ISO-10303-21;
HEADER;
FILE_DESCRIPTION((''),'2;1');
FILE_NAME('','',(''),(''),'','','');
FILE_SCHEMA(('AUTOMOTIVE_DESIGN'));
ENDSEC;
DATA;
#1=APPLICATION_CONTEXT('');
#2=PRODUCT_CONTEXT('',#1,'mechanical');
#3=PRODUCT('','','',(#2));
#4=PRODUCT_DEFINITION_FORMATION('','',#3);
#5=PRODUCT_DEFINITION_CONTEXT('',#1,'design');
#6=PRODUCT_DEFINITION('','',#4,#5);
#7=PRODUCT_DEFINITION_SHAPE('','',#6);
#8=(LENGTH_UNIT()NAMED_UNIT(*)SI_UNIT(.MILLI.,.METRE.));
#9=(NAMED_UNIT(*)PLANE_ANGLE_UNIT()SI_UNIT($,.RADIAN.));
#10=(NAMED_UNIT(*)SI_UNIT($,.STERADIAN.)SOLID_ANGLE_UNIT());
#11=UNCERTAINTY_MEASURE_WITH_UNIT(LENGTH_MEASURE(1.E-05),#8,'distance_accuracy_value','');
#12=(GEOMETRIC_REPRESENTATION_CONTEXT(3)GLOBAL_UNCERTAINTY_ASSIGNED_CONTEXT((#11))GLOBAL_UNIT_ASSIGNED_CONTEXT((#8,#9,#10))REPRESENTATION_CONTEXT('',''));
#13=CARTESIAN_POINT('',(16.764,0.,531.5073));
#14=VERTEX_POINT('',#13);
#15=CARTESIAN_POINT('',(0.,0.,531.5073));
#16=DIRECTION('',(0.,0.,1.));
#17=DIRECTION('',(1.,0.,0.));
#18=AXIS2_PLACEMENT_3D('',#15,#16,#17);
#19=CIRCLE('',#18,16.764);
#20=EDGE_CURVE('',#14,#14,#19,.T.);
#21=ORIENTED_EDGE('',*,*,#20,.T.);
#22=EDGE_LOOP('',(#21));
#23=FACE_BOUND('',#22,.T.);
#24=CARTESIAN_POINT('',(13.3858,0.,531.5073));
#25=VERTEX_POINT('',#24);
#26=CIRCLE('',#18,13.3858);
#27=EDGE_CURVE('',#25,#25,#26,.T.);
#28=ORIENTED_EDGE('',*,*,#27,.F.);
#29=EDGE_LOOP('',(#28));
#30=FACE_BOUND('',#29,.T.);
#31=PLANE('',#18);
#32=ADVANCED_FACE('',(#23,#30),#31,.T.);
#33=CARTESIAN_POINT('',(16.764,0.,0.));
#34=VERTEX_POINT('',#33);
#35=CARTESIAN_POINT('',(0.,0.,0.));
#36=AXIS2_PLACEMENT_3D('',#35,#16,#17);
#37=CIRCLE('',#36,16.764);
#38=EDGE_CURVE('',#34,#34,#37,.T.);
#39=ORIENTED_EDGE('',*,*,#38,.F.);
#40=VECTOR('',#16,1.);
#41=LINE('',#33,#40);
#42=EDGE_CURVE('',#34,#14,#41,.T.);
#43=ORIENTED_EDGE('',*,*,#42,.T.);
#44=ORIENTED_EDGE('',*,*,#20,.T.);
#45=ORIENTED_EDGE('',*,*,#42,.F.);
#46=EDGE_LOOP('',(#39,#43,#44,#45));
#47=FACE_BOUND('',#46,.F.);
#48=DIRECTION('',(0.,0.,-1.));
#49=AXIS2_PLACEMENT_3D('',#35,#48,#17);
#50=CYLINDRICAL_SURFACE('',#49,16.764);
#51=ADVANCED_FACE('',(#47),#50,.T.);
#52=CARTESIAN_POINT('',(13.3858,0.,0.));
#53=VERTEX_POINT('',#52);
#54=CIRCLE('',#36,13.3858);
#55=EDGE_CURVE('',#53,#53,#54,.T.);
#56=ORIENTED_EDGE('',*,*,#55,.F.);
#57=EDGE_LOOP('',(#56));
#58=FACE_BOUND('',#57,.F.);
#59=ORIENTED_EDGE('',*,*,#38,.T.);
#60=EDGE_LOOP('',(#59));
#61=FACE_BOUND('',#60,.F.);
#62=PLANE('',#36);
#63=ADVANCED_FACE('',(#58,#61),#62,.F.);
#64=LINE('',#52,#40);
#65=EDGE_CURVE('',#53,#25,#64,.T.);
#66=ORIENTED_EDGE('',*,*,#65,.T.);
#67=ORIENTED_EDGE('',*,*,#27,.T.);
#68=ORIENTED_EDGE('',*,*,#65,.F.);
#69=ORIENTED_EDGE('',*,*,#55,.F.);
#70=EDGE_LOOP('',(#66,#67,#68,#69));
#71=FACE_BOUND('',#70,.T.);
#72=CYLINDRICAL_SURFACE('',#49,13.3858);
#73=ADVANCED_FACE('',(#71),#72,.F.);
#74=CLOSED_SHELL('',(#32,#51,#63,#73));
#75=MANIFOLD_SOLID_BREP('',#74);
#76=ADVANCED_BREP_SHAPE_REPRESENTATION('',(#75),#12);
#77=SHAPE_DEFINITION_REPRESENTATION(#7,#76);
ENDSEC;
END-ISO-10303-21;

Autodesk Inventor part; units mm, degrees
ref_plane "YZ Plane" through (0, 0, 0) normal (1, 0, 0) x (0, 1, 0)
ref_plane "Start plane" through (0, 0, 0) normal (0, 0, 1) x (1, 0, 0)
ref_plane "End plane" through (0, 0, 531.5073) normal (0, 0, 1) x (1, 0, 0)
sketch "Sketch" plane through (0, 0, 0) normal (0, 0, 1) x (1, 0, 0)
  circle A0 centre (0, 0) radius 13.3858
  circle A1 centre (0, 0) radius 16.764
  dimension "d0" = 33.528
  dimension "d1" = 3.3782
extrude "Body" add sketch "Sketch" along normal up to surface (531.5073 mm away) from surface at 0
sketch "Sketch3" plane through (0, 0, 0) normal (0, 0, 1) x (1, 0, 0)
  line L0 (0, 0) -> (10, 0)
ref_plane "Work Plane3" through (0, 0, 0) normal (0, -1, 0) x (1, 0, 0)
sketch "Sketch4" plane through (0, 0, 0) normal (0, -1, 0) x (1, 0, 0)
  line L0 (-2, 0) -> (12, 0) projected
  line L1 (-2, 531.5073) -> (12, 531.5073) projected
  dimension "d7" = 531.5073
equation "\"d0\" = G_H"
equation "\"d1\" = G_T"
equation "\"d2\" = G_L"
equation "\"G_H\" = 33.528"
equation "\"G_T\" = 3.3782"
equation "\"G_L\" = d7"
equation "\"G_OFFSET_START\" = 0"
equation "\"G_OFFSET_END\" = 0"
equation "\"d5\" = G_OFFSET_END + B_L"
equation "\"B_L\" = 531.50729"
properties part number "ANSI - 1 x 0.133 - 20.925" material "Steel, Mild"
